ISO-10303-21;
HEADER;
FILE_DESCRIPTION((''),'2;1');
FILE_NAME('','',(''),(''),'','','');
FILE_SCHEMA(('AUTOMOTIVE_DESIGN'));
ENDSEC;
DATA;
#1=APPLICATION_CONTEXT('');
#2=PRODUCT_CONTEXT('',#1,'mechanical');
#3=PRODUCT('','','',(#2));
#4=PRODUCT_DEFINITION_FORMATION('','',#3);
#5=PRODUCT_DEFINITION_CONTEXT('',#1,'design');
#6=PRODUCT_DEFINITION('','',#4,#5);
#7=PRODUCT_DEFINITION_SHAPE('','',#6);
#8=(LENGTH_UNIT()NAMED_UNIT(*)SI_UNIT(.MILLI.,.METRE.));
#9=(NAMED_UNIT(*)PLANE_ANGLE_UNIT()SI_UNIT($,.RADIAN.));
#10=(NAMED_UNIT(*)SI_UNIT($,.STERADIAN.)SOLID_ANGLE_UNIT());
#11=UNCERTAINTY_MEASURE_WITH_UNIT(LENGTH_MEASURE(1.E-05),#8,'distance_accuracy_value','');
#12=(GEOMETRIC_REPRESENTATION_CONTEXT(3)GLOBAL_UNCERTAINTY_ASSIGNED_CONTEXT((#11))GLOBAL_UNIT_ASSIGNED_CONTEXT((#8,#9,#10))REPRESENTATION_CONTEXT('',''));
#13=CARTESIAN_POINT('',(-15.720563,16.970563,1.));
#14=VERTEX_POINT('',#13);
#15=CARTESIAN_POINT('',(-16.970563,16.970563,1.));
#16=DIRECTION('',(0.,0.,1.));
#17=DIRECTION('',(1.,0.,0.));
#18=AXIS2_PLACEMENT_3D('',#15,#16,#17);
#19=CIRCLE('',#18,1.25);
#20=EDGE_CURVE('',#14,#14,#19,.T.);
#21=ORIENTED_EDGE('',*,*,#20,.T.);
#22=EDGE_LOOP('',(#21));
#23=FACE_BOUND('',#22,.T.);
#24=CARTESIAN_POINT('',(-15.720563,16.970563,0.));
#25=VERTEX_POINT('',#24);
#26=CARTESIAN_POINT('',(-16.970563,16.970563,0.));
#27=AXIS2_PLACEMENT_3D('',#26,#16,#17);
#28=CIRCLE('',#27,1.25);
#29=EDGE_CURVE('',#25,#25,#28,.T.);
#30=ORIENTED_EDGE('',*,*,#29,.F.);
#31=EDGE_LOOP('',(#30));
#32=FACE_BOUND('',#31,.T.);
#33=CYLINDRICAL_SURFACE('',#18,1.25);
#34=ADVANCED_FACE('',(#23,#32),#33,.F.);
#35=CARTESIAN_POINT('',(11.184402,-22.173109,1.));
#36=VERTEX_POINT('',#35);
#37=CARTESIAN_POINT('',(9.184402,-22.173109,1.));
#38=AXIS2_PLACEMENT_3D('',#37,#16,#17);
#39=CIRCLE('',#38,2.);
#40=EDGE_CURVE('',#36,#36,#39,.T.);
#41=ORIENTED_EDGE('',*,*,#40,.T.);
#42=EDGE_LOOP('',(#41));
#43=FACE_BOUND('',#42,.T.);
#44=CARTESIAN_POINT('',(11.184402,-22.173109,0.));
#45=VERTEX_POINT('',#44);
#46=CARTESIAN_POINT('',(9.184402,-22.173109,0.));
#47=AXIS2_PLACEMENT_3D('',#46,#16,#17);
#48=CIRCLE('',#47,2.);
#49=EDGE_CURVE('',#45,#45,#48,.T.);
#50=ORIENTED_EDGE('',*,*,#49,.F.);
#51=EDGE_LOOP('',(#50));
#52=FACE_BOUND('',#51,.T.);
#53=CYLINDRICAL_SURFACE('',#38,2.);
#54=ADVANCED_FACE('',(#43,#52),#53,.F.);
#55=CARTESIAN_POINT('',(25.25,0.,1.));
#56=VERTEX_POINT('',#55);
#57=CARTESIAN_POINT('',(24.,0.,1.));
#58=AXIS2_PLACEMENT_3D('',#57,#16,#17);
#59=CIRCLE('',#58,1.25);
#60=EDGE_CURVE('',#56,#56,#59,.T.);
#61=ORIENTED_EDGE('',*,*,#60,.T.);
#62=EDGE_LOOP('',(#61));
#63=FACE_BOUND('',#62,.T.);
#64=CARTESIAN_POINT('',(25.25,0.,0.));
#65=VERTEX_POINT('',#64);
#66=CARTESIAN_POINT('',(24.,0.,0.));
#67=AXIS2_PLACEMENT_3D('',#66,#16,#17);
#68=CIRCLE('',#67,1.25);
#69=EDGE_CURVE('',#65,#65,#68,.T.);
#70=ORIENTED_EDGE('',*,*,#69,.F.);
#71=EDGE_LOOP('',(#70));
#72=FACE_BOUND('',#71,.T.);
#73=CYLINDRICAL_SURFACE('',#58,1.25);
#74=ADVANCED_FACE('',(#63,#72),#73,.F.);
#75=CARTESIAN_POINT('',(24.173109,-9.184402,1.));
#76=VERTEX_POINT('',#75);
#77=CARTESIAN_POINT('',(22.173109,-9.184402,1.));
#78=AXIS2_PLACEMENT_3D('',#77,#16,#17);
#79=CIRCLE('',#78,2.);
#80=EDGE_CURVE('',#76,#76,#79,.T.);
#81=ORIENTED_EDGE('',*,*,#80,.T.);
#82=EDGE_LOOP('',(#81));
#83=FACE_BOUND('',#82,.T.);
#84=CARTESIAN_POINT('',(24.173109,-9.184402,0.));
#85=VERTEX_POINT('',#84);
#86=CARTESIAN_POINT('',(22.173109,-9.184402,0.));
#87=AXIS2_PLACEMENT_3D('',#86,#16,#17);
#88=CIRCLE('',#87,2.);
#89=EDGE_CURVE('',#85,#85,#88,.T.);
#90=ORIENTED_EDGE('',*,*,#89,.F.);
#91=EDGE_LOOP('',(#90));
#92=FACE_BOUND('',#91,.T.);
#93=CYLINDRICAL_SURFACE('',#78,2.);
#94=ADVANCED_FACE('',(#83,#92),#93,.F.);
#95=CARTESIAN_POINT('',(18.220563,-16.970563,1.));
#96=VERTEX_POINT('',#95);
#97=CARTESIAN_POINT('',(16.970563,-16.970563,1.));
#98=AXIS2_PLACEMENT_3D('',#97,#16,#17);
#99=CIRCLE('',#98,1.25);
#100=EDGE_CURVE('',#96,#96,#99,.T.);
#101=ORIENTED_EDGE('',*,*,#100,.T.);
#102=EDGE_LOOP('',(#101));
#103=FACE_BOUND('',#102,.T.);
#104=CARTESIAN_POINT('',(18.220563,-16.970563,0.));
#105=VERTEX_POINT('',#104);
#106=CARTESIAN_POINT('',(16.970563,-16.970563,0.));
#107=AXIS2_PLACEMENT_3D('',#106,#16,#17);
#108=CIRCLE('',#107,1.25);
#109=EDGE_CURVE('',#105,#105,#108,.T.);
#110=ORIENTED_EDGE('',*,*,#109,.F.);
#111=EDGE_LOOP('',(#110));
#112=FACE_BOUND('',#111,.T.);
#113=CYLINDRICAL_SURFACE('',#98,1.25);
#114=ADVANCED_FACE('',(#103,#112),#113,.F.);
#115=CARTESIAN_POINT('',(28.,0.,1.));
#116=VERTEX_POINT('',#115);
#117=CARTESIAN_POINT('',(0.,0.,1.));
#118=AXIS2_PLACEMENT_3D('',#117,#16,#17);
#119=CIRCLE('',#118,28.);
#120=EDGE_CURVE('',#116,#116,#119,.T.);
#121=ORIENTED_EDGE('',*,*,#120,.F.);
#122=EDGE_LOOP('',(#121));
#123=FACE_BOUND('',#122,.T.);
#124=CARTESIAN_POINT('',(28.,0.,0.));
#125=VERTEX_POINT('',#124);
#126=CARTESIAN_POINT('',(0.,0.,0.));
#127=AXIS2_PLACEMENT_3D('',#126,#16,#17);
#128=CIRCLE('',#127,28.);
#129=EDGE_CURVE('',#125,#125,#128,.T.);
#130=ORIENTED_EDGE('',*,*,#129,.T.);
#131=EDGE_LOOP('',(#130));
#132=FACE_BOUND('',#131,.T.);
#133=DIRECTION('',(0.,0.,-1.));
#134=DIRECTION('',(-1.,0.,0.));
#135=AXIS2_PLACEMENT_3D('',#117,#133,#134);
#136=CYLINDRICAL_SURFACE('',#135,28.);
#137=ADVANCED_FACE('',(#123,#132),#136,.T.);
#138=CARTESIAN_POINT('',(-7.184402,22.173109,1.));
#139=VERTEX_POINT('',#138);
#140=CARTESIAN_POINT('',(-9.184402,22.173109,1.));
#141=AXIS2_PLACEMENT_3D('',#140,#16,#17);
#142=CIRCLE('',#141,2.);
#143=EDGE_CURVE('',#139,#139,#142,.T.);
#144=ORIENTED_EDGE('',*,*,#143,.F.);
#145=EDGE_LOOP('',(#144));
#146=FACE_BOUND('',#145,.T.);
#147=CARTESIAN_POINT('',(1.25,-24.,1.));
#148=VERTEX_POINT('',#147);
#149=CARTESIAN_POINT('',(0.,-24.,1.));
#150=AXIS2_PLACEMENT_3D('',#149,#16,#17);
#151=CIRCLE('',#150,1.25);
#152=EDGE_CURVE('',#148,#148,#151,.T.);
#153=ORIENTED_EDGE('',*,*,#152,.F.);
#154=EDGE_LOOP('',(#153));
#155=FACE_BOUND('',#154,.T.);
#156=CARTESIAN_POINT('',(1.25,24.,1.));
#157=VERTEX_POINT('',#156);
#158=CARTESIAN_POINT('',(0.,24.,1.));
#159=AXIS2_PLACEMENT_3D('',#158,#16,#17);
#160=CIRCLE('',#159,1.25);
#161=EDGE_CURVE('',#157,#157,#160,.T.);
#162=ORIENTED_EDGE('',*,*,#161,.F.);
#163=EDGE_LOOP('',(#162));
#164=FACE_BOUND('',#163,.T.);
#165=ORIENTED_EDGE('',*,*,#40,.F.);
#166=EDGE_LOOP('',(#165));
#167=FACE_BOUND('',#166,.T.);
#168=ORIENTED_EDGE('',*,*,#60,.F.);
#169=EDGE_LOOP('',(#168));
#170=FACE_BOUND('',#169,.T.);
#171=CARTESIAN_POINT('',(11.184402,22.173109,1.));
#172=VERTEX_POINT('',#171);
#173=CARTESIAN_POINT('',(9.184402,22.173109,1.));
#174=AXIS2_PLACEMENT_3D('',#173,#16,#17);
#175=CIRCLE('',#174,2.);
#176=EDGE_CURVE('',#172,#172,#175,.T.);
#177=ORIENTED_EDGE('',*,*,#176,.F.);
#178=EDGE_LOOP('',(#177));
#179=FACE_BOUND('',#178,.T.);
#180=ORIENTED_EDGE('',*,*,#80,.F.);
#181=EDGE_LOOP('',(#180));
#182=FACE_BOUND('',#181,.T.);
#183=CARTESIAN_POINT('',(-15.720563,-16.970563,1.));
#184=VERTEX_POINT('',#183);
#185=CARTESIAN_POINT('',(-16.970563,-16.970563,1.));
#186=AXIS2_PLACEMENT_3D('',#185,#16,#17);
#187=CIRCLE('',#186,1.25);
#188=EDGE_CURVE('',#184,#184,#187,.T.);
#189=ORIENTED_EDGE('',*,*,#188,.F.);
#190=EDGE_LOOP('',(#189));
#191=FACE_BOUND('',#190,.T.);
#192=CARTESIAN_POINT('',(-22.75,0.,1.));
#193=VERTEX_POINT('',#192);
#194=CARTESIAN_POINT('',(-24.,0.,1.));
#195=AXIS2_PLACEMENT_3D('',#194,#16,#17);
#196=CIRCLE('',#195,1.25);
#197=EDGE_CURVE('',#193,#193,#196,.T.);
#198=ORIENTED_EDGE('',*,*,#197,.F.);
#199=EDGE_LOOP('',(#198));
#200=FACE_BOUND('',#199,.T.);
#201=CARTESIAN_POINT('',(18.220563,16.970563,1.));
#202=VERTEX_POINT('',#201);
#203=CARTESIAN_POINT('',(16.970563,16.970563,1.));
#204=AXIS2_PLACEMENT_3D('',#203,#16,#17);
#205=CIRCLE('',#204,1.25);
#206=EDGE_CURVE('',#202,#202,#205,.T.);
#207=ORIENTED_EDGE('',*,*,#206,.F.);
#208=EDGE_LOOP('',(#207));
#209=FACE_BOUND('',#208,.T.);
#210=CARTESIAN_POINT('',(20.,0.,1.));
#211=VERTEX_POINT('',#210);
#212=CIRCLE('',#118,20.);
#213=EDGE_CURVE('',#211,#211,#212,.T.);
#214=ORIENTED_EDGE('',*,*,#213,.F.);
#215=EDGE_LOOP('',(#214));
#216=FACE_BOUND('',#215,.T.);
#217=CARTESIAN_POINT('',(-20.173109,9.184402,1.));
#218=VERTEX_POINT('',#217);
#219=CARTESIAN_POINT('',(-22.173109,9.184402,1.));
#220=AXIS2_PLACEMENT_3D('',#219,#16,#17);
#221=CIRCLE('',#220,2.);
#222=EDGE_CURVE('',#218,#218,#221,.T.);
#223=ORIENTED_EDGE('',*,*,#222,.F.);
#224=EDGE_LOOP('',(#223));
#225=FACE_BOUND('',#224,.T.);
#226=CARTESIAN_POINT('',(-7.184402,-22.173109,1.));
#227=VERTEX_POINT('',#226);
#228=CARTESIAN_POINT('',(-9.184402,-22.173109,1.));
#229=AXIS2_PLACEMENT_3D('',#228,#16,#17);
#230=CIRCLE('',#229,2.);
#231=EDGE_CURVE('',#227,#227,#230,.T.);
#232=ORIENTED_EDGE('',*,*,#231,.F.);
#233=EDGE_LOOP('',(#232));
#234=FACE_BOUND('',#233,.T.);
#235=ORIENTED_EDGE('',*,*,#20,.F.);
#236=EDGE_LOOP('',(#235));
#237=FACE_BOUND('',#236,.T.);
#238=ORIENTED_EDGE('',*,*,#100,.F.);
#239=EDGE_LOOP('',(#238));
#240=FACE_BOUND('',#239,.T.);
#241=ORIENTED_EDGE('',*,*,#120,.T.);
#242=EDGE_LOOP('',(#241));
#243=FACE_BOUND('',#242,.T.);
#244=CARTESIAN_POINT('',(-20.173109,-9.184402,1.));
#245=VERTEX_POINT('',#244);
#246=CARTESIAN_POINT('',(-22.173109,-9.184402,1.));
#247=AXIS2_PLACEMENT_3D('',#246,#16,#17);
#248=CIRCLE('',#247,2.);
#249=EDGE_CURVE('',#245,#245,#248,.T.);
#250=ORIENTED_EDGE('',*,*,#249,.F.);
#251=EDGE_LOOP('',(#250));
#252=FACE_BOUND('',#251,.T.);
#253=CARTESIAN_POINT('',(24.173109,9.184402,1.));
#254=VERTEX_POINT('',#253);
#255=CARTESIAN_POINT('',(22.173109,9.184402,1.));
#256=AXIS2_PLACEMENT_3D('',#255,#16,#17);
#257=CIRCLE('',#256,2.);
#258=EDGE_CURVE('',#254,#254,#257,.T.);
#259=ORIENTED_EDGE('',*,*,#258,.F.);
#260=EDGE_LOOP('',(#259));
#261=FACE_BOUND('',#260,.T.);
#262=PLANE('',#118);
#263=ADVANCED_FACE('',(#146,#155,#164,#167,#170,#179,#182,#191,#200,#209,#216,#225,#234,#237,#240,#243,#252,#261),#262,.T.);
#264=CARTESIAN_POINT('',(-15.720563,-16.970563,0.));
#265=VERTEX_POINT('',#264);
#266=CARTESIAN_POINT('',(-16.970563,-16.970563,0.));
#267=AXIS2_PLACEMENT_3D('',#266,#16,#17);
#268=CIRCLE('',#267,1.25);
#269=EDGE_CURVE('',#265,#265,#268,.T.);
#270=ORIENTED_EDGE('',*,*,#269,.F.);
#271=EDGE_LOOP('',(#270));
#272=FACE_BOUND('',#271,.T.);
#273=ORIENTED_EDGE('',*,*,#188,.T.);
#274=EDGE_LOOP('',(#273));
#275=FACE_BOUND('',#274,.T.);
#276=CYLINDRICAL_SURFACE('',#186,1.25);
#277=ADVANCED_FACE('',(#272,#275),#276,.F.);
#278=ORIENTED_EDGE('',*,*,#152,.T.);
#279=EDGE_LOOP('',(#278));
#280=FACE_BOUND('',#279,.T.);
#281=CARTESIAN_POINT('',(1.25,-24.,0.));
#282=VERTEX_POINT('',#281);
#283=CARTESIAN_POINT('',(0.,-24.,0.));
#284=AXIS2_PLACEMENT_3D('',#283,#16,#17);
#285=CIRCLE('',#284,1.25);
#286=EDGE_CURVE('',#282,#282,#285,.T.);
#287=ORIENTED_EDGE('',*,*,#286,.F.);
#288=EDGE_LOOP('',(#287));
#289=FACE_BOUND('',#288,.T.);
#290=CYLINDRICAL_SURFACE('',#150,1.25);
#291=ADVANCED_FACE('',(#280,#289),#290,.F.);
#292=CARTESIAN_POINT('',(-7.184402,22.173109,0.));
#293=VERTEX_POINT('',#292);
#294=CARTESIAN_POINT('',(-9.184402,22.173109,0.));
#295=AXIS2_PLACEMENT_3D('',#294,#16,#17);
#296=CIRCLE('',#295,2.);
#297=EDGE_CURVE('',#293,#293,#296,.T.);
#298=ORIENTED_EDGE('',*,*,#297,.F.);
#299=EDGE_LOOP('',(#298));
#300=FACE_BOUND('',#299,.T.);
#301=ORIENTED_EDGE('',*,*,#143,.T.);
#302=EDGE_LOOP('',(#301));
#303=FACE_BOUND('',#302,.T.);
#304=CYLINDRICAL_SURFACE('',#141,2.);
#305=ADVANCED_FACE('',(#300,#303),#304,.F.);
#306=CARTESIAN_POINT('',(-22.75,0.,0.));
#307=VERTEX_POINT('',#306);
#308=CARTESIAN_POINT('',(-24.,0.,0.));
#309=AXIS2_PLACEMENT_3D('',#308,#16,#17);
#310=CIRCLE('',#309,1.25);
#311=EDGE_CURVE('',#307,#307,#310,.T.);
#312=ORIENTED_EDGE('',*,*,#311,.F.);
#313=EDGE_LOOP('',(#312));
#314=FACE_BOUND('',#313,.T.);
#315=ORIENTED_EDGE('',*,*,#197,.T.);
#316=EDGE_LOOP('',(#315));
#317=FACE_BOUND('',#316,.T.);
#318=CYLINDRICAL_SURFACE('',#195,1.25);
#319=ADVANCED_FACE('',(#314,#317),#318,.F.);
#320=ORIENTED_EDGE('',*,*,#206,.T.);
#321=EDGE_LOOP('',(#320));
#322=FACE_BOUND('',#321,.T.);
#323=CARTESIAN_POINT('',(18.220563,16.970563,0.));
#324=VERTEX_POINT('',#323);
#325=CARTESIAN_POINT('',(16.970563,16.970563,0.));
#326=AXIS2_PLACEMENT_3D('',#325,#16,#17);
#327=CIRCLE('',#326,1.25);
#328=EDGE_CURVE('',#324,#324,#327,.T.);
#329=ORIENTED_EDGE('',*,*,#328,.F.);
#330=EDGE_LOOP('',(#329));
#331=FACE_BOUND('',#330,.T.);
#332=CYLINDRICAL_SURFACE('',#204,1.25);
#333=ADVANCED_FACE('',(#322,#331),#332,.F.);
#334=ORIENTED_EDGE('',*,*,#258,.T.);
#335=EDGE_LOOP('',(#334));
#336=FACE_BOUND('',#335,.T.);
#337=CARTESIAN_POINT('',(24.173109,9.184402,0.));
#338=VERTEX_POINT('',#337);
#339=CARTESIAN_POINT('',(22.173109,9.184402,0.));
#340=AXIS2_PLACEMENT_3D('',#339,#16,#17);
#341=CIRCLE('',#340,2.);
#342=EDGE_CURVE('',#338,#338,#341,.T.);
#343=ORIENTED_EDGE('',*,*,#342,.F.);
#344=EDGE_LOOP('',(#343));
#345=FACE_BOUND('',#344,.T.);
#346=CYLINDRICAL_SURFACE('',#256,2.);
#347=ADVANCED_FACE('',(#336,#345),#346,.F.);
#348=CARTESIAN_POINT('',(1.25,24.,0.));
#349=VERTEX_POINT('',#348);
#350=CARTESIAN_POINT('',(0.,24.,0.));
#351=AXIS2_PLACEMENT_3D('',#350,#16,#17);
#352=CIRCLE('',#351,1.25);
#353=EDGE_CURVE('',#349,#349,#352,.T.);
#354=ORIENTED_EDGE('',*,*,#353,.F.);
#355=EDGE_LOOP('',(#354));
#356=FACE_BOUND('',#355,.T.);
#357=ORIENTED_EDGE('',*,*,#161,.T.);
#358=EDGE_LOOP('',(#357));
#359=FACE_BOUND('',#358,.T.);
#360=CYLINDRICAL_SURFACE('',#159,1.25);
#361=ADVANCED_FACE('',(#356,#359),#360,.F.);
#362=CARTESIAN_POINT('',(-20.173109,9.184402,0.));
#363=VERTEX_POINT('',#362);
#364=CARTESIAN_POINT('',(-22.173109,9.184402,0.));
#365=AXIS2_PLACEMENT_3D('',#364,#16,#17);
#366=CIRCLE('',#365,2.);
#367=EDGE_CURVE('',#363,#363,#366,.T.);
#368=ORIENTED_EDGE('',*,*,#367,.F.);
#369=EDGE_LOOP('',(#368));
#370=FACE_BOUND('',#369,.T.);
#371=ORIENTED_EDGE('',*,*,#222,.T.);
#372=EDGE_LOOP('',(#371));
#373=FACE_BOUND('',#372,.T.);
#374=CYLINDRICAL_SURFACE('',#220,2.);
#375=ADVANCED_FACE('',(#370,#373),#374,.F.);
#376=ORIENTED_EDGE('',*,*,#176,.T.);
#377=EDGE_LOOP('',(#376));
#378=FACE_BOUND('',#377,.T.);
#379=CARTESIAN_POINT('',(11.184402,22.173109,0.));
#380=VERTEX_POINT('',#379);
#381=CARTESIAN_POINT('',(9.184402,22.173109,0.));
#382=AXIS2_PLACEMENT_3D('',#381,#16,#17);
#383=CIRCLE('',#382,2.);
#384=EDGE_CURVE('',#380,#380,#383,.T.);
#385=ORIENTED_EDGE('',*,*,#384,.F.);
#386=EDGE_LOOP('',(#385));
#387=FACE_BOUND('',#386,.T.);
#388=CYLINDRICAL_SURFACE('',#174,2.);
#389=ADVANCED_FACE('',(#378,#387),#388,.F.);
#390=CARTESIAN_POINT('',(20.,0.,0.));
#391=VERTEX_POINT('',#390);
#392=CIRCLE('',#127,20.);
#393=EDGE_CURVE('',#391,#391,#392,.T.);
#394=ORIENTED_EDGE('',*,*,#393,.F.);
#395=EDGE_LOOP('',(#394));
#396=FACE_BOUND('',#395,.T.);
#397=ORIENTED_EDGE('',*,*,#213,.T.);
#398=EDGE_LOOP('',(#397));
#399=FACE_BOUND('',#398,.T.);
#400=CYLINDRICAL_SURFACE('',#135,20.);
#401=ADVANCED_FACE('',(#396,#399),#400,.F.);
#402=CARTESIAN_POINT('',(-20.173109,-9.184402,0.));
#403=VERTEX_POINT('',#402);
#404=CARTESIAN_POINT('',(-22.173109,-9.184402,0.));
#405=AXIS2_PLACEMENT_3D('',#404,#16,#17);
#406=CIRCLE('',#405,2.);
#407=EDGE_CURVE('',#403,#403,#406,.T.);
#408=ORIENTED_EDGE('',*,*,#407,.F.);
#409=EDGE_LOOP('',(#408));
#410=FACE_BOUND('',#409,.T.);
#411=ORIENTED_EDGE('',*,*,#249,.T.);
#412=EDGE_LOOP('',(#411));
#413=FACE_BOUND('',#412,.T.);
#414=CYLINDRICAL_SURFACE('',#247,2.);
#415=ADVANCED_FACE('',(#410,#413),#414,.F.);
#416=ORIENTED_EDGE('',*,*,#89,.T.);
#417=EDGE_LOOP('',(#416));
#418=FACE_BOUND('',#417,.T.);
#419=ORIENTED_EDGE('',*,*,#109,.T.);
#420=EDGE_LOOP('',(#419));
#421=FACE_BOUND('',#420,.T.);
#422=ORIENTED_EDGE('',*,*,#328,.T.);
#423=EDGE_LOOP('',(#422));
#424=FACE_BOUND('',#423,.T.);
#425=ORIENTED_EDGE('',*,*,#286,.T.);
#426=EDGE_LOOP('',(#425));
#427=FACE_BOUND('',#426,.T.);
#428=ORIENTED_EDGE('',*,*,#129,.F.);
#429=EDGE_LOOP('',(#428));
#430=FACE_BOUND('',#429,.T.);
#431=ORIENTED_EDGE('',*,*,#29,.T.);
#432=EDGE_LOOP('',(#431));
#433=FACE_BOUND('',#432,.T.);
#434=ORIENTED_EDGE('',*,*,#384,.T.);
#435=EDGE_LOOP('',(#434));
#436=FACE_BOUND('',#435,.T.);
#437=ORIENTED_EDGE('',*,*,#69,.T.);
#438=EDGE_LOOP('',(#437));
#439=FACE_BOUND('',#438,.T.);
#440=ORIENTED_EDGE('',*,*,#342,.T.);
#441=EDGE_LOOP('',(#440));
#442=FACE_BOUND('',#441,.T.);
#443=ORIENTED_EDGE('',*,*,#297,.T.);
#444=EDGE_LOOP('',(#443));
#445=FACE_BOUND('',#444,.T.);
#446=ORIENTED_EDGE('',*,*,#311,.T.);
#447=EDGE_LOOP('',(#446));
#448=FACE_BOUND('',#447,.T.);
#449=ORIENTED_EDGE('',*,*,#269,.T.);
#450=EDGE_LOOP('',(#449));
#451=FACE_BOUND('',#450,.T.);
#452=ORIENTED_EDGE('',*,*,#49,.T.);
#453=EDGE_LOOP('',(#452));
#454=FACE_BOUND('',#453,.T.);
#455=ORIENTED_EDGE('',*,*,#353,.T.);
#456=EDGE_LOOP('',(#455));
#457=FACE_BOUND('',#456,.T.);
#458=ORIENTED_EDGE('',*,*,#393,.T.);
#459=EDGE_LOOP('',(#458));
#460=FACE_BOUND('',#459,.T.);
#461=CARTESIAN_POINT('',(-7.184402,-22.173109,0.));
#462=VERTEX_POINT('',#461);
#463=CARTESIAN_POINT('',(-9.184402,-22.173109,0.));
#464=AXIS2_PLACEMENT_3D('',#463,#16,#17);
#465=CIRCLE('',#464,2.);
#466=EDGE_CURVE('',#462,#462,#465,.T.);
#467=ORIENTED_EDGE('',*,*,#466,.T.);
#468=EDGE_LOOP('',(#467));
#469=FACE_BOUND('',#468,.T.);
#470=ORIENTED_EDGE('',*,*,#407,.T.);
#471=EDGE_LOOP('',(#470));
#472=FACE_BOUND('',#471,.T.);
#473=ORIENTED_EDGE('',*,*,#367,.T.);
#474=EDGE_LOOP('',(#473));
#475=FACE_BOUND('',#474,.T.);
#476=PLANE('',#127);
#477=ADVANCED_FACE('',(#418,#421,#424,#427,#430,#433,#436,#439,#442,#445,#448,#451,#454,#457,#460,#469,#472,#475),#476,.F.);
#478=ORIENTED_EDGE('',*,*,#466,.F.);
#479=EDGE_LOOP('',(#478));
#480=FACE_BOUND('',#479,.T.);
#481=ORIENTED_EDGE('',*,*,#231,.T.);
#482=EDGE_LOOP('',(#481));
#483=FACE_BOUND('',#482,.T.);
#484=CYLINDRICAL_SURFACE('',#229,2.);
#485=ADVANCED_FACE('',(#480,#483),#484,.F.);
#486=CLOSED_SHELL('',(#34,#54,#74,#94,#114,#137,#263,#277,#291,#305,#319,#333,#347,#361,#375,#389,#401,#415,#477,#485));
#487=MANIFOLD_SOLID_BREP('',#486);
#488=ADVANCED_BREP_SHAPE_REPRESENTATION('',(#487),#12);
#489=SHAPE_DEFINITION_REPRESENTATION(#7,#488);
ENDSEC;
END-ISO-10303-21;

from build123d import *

# Parameters (mm, degrees)
SKETCH1_R           = 28
SKETCH1_R_2         = 20
BOSS_EXTRUDE1_DEPTH = 1
CIRPATTERN1_COUNT   = 8
CIRPATTERN2_COUNT   = 8


with BuildPart() as part:
    # Sketch1 → Boss-Extrude1 (new body)
    with BuildSketch(Plane.XY):
        Circle(SKETCH1_R)
        Circle(SKETCH1_R_2, mode=Mode.SUBTRACT)
    extrude(amount=BOSS_EXTRUDE1_DEPTH)

    # Sketch2 → Ø2.5 (2.5) Diameter Hole1 (revolve, cut)
    with BuildSketch(Plane(origin=(0, 24, 1), x_dir=(0, -1, 0), z_dir=(1, 0, 0))):
        Polygon((0, 0), (0, 2.251075774), (1.25, 1.5), (1.25, 0), align=None)
    f_2_5_2_5_diameter_hole1 = revolve(axis=Axis((0, 24, 7.35), (0, 0, -1)), mode=Mode.SUBTRACT)

    # CirPattern1: Ø2.5 (2.5) Diameter Hole1 ×8 about axis
    cirpattern1_axis = Axis((0, 0, -0.0127), (0, 0, -1))
    for i in range(1, CIRPATTERN1_COUNT):
        add(f_2_5_2_5_diameter_hole1.rotate(cirpattern1_axis, i * 360 / CIRPATTERN1_COUNT), mode=Mode.SUBTRACT)

    # Sketch4 → Ø4.0 (4) Diameter Hole1 (revolve, cut)
    with BuildSketch(Plane(origin=(9.184402377, 22.17310878, 1), x_dir=(0, -1, 0), z_dir=(1, 0, 0))):
        Polygon((0, 0), (0, 2.701721238), (2, 1.5), (2, 0), align=None)
    f_4_0_4_diameter_hole1 = revolve(axis=Axis((9.184402377, 22.17310878, 7.35), (0, 0, -1)), mode=Mode.SUBTRACT)

    # CirPattern2: Ø4.0 (4) Diameter Hole1 ×8 about axis
    cirpattern2_axis = Axis((0, 0, -0.0127), (0, 0, -1))
    for i in range(1, CIRPATTERN2_COUNT):
        add(f_4_0_4_diameter_hole1.rotate(cirpattern2_axis, i * 360 / CIRPATTERN2_COUNT), mode=Mode.SUBTRACT)


solid = part.part
